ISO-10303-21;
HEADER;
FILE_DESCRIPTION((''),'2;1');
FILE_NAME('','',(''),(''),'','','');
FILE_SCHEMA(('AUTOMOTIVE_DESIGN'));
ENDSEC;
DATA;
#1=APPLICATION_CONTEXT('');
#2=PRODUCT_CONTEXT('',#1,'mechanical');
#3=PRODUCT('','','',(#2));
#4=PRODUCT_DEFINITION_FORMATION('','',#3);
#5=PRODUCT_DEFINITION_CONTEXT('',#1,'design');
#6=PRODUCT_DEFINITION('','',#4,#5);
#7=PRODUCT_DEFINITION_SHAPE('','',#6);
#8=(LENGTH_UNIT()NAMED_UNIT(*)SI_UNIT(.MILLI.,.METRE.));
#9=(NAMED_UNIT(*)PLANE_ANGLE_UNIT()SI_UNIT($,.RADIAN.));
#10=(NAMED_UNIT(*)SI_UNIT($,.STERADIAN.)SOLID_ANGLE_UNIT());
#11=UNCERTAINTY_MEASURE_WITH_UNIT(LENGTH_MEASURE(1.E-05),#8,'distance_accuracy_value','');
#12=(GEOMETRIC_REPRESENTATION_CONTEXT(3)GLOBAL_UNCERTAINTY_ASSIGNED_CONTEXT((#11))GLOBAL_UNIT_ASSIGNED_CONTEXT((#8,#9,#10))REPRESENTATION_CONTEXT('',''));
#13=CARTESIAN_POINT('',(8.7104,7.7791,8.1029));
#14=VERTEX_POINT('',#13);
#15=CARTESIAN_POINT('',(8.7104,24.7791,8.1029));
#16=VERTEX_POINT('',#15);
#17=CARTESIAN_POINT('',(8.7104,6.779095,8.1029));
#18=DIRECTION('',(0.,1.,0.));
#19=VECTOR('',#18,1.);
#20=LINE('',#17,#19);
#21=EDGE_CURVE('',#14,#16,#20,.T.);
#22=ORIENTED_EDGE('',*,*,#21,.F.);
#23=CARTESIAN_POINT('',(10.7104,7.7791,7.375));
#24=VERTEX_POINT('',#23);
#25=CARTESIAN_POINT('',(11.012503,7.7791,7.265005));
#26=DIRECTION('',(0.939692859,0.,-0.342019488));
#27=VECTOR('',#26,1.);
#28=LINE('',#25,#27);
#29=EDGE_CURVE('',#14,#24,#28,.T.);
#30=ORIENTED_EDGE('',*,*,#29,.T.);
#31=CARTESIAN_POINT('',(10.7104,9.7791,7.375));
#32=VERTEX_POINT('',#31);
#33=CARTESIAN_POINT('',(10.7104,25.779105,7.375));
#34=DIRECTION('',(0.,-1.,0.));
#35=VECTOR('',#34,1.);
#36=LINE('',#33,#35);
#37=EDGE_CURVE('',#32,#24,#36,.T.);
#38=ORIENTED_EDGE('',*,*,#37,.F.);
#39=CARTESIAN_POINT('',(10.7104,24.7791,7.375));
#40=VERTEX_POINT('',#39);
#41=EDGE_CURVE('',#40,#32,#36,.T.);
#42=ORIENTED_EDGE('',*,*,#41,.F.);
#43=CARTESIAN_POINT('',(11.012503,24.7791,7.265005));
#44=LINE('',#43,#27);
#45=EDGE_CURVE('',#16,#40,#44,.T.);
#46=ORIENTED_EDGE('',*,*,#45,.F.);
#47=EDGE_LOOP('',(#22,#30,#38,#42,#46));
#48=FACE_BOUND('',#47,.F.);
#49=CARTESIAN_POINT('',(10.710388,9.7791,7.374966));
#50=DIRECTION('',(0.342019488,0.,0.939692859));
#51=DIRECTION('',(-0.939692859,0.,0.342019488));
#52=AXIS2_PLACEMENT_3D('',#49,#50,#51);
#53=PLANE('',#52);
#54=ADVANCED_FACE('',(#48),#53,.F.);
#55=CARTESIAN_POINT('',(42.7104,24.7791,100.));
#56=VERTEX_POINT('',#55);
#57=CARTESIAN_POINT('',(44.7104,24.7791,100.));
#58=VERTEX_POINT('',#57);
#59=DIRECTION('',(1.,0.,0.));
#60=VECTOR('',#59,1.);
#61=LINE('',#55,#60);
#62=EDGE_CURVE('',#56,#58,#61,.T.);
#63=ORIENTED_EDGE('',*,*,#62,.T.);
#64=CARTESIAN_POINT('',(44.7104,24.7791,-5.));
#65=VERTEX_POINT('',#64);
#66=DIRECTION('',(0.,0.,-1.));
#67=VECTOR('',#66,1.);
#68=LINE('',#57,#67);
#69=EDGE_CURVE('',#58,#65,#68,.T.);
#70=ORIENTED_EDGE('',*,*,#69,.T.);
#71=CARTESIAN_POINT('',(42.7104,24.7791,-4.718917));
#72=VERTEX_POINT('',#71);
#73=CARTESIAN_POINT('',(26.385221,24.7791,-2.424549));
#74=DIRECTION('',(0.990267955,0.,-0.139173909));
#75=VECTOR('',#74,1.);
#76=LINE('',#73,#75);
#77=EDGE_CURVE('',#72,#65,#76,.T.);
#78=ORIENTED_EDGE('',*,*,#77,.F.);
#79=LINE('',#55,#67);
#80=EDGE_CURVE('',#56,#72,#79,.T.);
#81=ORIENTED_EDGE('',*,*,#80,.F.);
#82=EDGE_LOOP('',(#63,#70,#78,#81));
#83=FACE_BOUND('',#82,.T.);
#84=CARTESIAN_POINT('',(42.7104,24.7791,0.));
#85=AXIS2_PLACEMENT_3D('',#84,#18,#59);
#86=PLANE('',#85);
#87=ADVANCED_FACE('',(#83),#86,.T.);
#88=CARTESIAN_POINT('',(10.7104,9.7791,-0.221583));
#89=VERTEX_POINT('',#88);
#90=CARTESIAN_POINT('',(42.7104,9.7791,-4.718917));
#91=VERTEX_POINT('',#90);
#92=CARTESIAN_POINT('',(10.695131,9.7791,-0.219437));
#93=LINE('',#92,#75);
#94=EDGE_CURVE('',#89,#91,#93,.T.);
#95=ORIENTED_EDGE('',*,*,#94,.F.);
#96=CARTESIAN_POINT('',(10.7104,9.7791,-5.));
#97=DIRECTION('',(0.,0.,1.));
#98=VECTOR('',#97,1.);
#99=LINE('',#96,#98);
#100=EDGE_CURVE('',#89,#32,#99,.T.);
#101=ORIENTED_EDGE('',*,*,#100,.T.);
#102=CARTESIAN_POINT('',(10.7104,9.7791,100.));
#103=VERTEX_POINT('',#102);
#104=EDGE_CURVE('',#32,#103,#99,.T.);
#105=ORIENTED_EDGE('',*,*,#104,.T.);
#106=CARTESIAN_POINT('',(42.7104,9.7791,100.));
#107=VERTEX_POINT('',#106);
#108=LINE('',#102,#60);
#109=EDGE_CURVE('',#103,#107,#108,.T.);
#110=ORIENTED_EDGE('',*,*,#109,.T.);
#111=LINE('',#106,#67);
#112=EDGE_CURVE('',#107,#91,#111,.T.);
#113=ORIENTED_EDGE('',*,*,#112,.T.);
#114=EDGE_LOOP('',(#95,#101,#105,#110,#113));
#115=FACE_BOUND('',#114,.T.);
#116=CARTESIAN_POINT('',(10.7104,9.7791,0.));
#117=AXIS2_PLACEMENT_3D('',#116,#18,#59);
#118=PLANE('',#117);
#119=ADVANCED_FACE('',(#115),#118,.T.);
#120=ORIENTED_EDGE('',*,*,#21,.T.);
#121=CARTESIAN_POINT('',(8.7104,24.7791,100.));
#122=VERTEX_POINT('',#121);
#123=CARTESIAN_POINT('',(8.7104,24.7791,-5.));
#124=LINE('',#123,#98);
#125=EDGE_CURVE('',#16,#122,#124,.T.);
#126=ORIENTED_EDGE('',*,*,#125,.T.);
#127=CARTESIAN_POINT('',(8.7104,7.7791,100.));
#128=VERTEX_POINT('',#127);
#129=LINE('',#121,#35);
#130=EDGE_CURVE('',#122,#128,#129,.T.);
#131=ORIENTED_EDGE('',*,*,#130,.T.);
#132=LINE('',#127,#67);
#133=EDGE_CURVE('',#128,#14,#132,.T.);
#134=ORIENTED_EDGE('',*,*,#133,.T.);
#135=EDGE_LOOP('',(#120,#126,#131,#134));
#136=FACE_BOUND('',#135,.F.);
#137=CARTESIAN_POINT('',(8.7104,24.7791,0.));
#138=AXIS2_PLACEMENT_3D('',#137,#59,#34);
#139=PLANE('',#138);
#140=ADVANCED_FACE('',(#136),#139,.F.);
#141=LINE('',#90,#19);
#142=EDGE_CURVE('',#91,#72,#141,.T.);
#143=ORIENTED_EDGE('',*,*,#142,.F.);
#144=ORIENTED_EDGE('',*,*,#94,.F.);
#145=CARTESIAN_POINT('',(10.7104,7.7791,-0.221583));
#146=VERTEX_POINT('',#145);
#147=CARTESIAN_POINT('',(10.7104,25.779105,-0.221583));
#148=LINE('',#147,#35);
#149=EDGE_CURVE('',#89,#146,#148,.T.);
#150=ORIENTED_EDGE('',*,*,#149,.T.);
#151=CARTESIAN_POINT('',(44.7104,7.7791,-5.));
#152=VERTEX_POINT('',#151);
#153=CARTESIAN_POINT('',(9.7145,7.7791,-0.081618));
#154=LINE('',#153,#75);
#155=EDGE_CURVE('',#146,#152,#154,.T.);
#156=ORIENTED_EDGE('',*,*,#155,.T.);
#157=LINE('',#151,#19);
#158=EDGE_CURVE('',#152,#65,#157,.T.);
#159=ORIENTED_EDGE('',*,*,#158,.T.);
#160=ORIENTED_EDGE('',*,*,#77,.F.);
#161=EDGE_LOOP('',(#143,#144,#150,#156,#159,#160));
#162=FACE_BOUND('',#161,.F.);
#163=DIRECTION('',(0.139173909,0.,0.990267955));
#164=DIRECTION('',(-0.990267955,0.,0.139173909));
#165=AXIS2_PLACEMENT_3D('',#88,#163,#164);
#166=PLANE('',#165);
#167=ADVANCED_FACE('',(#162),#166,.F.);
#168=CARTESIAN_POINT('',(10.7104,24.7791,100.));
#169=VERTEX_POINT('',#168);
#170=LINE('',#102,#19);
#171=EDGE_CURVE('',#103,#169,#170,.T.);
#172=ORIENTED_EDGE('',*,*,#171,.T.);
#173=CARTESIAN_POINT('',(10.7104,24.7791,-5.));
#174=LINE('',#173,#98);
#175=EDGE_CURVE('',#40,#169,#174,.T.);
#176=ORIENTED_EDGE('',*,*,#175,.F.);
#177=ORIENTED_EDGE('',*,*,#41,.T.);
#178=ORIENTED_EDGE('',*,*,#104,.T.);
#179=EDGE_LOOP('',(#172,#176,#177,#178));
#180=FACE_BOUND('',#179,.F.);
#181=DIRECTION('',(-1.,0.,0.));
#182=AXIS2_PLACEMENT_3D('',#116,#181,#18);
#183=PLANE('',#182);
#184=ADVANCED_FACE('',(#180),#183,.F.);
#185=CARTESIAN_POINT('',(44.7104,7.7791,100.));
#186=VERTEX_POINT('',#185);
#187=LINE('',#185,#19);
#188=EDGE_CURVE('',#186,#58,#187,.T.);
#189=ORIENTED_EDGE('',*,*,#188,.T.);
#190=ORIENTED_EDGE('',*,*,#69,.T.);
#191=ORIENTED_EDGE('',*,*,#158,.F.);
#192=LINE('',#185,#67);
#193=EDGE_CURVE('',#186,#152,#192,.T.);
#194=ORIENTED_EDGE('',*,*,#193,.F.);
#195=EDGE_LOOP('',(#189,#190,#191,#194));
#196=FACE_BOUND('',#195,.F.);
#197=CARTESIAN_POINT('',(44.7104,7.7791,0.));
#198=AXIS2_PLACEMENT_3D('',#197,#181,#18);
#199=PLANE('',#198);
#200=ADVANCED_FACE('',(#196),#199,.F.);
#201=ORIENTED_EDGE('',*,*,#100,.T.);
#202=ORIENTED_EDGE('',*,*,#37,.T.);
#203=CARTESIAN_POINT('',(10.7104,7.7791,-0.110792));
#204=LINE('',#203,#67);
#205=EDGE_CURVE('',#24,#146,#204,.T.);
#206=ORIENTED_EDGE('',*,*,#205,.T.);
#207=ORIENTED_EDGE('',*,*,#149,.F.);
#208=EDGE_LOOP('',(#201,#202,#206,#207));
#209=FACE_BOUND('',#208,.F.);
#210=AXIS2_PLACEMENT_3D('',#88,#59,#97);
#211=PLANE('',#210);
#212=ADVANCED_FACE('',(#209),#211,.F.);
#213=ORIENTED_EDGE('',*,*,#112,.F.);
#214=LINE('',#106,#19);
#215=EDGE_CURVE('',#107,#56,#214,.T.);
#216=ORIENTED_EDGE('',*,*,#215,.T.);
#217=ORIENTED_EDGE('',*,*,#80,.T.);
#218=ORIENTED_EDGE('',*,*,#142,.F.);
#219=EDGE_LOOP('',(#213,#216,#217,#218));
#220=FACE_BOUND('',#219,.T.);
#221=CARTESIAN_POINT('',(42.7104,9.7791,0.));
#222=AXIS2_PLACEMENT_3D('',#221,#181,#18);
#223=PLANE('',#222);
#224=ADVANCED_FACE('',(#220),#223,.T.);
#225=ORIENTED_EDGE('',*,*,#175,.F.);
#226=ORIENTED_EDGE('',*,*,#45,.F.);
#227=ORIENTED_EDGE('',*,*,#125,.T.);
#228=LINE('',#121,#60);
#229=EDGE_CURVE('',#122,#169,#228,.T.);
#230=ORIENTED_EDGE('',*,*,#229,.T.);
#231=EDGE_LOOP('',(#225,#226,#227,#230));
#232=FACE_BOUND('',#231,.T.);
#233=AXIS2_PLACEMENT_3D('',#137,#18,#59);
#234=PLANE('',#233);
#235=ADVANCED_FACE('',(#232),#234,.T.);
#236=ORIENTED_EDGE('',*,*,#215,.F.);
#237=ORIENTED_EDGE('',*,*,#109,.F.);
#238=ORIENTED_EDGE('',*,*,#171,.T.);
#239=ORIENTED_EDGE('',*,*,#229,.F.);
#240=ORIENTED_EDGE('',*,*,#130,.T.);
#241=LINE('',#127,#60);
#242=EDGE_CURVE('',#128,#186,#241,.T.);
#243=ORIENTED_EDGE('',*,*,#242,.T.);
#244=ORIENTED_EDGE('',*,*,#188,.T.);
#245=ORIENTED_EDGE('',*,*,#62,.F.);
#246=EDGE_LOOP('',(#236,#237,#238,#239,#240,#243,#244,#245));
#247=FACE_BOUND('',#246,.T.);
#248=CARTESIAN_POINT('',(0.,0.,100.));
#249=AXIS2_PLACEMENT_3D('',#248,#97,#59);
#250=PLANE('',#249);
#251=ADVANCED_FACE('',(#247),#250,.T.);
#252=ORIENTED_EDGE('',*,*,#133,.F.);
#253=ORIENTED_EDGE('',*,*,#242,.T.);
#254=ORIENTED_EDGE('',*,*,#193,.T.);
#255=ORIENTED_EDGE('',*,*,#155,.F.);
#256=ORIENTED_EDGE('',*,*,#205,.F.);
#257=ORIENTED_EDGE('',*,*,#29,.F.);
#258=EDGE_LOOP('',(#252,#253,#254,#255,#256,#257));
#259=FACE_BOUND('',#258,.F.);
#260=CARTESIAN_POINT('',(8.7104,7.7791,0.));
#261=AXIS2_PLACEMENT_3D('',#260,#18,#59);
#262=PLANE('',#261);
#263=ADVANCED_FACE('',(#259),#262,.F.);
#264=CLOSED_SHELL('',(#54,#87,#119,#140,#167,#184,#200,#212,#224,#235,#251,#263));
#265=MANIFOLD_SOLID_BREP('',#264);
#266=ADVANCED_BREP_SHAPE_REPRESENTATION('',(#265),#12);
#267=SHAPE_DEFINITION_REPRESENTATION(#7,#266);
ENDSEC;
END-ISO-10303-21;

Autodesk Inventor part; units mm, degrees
ref_plane "YZ Plane" through (0, 0, 0) normal (1, 0, 0) x (0, 1, 0)
ref_plane "XZ Plane" through (0, 0, 0) normal (0, 1, 0) x (-1, 0, 0)
ref_plane "XY Plane" through (0, 0, 0) normal (0, 0, 1) x (1, 0, 0)
sketch "Sketch1" plane through (0, 0, 0) normal (0, 0, 1) x (1, 0, 0)
  line L0 (10.7104, 9.7791) -> (42.7104, 9.7791)
  line L1 (42.7104, 9.7791) -> (42.7104, 24.7791)
  line L2 (10.7104, 9.7791) -> (10.7104, 24.7791)
  line L3 (8.7104, 24.7791) -> (8.7104, 7.7791)
  line L4 (8.7104, 7.7791) -> (44.7104, 7.7791)
  line L5 (44.7104, 7.7791) -> (44.7104, 24.7791)
  line L6 (8.7104, 24.7791) -> (10.7104, 24.7791)
  line L7 (42.7104, 24.7791) -> (44.7104, 24.7791)
  point P0 (0, 0)
  dimension "d0" = 32
  dimension "d1" = 15
  dimension "d2" = 15
  dimension "d3" = 2
extrude "Extrusion1" add sketch "Sketch1" along normal blind 100 and the other way blind 5
sketch "Sketch3" plane through (10.7104, 9.7791, 100) normal (0, 1, 0) x (1, 0, 0)
  line L0 (-2, 105) -> (-2, 0) projected
  line L1 (-2, 91.8971) -> (-2, 105)
  line L2 (32, 105) -> (34, 105) projected
  line L3 (34, 105) -> (-2, 91.8971)
  line L4 (-2, 105) -> (-2, 91.8971)
  line L5 (-2, 105) -> (34, 105)
  line L6 (0, 105) -> (0, 0) projected
  line L7 (0, 92.625) -> (0, 105)
  line L8 (34, 105) -> (-2, 99.9405)
  line L9 (34, 105) -> (70.3538, 105) construction
  line L10 (-2, 99.9405) -> (-2, 105)
  point P0 (-10.7104, 100)
  point P1 (-2, 99.9405)
  point P2 (0, 100.2216)
  dimension "d15" = 20
  dimension "d16" = 172
extrude "Extrusion4" cut sketch "Sketch3" along normal through all both and the other way through all contours L5 L6 L8 L0 | L5 L2 L8 L6
extrude "Extrusion5" cut sketch "Sketch3" along normal through all both and the other way through all contours L8 L6 L3 L0
equation "\"BendRadius\" = Thickness"
equation "\"BendReliefWidth\" = Thickness"
equation "\"BendReliefDepth\" = 0.5 * Thickness"
equation "\"CornerReliefSize\" = 4 * Thickness"
equation "\"MinimumRemnant\" = 2 * Thickness"
equation "\"TransitionRadius\" = BendRadius"
equation "\"JacobiRadiusSize\" = BendRadius"
equation "\"GapSize\" = Thickness"
equation "\"Thickness\" = 0.5"
properties part number "outslide"
